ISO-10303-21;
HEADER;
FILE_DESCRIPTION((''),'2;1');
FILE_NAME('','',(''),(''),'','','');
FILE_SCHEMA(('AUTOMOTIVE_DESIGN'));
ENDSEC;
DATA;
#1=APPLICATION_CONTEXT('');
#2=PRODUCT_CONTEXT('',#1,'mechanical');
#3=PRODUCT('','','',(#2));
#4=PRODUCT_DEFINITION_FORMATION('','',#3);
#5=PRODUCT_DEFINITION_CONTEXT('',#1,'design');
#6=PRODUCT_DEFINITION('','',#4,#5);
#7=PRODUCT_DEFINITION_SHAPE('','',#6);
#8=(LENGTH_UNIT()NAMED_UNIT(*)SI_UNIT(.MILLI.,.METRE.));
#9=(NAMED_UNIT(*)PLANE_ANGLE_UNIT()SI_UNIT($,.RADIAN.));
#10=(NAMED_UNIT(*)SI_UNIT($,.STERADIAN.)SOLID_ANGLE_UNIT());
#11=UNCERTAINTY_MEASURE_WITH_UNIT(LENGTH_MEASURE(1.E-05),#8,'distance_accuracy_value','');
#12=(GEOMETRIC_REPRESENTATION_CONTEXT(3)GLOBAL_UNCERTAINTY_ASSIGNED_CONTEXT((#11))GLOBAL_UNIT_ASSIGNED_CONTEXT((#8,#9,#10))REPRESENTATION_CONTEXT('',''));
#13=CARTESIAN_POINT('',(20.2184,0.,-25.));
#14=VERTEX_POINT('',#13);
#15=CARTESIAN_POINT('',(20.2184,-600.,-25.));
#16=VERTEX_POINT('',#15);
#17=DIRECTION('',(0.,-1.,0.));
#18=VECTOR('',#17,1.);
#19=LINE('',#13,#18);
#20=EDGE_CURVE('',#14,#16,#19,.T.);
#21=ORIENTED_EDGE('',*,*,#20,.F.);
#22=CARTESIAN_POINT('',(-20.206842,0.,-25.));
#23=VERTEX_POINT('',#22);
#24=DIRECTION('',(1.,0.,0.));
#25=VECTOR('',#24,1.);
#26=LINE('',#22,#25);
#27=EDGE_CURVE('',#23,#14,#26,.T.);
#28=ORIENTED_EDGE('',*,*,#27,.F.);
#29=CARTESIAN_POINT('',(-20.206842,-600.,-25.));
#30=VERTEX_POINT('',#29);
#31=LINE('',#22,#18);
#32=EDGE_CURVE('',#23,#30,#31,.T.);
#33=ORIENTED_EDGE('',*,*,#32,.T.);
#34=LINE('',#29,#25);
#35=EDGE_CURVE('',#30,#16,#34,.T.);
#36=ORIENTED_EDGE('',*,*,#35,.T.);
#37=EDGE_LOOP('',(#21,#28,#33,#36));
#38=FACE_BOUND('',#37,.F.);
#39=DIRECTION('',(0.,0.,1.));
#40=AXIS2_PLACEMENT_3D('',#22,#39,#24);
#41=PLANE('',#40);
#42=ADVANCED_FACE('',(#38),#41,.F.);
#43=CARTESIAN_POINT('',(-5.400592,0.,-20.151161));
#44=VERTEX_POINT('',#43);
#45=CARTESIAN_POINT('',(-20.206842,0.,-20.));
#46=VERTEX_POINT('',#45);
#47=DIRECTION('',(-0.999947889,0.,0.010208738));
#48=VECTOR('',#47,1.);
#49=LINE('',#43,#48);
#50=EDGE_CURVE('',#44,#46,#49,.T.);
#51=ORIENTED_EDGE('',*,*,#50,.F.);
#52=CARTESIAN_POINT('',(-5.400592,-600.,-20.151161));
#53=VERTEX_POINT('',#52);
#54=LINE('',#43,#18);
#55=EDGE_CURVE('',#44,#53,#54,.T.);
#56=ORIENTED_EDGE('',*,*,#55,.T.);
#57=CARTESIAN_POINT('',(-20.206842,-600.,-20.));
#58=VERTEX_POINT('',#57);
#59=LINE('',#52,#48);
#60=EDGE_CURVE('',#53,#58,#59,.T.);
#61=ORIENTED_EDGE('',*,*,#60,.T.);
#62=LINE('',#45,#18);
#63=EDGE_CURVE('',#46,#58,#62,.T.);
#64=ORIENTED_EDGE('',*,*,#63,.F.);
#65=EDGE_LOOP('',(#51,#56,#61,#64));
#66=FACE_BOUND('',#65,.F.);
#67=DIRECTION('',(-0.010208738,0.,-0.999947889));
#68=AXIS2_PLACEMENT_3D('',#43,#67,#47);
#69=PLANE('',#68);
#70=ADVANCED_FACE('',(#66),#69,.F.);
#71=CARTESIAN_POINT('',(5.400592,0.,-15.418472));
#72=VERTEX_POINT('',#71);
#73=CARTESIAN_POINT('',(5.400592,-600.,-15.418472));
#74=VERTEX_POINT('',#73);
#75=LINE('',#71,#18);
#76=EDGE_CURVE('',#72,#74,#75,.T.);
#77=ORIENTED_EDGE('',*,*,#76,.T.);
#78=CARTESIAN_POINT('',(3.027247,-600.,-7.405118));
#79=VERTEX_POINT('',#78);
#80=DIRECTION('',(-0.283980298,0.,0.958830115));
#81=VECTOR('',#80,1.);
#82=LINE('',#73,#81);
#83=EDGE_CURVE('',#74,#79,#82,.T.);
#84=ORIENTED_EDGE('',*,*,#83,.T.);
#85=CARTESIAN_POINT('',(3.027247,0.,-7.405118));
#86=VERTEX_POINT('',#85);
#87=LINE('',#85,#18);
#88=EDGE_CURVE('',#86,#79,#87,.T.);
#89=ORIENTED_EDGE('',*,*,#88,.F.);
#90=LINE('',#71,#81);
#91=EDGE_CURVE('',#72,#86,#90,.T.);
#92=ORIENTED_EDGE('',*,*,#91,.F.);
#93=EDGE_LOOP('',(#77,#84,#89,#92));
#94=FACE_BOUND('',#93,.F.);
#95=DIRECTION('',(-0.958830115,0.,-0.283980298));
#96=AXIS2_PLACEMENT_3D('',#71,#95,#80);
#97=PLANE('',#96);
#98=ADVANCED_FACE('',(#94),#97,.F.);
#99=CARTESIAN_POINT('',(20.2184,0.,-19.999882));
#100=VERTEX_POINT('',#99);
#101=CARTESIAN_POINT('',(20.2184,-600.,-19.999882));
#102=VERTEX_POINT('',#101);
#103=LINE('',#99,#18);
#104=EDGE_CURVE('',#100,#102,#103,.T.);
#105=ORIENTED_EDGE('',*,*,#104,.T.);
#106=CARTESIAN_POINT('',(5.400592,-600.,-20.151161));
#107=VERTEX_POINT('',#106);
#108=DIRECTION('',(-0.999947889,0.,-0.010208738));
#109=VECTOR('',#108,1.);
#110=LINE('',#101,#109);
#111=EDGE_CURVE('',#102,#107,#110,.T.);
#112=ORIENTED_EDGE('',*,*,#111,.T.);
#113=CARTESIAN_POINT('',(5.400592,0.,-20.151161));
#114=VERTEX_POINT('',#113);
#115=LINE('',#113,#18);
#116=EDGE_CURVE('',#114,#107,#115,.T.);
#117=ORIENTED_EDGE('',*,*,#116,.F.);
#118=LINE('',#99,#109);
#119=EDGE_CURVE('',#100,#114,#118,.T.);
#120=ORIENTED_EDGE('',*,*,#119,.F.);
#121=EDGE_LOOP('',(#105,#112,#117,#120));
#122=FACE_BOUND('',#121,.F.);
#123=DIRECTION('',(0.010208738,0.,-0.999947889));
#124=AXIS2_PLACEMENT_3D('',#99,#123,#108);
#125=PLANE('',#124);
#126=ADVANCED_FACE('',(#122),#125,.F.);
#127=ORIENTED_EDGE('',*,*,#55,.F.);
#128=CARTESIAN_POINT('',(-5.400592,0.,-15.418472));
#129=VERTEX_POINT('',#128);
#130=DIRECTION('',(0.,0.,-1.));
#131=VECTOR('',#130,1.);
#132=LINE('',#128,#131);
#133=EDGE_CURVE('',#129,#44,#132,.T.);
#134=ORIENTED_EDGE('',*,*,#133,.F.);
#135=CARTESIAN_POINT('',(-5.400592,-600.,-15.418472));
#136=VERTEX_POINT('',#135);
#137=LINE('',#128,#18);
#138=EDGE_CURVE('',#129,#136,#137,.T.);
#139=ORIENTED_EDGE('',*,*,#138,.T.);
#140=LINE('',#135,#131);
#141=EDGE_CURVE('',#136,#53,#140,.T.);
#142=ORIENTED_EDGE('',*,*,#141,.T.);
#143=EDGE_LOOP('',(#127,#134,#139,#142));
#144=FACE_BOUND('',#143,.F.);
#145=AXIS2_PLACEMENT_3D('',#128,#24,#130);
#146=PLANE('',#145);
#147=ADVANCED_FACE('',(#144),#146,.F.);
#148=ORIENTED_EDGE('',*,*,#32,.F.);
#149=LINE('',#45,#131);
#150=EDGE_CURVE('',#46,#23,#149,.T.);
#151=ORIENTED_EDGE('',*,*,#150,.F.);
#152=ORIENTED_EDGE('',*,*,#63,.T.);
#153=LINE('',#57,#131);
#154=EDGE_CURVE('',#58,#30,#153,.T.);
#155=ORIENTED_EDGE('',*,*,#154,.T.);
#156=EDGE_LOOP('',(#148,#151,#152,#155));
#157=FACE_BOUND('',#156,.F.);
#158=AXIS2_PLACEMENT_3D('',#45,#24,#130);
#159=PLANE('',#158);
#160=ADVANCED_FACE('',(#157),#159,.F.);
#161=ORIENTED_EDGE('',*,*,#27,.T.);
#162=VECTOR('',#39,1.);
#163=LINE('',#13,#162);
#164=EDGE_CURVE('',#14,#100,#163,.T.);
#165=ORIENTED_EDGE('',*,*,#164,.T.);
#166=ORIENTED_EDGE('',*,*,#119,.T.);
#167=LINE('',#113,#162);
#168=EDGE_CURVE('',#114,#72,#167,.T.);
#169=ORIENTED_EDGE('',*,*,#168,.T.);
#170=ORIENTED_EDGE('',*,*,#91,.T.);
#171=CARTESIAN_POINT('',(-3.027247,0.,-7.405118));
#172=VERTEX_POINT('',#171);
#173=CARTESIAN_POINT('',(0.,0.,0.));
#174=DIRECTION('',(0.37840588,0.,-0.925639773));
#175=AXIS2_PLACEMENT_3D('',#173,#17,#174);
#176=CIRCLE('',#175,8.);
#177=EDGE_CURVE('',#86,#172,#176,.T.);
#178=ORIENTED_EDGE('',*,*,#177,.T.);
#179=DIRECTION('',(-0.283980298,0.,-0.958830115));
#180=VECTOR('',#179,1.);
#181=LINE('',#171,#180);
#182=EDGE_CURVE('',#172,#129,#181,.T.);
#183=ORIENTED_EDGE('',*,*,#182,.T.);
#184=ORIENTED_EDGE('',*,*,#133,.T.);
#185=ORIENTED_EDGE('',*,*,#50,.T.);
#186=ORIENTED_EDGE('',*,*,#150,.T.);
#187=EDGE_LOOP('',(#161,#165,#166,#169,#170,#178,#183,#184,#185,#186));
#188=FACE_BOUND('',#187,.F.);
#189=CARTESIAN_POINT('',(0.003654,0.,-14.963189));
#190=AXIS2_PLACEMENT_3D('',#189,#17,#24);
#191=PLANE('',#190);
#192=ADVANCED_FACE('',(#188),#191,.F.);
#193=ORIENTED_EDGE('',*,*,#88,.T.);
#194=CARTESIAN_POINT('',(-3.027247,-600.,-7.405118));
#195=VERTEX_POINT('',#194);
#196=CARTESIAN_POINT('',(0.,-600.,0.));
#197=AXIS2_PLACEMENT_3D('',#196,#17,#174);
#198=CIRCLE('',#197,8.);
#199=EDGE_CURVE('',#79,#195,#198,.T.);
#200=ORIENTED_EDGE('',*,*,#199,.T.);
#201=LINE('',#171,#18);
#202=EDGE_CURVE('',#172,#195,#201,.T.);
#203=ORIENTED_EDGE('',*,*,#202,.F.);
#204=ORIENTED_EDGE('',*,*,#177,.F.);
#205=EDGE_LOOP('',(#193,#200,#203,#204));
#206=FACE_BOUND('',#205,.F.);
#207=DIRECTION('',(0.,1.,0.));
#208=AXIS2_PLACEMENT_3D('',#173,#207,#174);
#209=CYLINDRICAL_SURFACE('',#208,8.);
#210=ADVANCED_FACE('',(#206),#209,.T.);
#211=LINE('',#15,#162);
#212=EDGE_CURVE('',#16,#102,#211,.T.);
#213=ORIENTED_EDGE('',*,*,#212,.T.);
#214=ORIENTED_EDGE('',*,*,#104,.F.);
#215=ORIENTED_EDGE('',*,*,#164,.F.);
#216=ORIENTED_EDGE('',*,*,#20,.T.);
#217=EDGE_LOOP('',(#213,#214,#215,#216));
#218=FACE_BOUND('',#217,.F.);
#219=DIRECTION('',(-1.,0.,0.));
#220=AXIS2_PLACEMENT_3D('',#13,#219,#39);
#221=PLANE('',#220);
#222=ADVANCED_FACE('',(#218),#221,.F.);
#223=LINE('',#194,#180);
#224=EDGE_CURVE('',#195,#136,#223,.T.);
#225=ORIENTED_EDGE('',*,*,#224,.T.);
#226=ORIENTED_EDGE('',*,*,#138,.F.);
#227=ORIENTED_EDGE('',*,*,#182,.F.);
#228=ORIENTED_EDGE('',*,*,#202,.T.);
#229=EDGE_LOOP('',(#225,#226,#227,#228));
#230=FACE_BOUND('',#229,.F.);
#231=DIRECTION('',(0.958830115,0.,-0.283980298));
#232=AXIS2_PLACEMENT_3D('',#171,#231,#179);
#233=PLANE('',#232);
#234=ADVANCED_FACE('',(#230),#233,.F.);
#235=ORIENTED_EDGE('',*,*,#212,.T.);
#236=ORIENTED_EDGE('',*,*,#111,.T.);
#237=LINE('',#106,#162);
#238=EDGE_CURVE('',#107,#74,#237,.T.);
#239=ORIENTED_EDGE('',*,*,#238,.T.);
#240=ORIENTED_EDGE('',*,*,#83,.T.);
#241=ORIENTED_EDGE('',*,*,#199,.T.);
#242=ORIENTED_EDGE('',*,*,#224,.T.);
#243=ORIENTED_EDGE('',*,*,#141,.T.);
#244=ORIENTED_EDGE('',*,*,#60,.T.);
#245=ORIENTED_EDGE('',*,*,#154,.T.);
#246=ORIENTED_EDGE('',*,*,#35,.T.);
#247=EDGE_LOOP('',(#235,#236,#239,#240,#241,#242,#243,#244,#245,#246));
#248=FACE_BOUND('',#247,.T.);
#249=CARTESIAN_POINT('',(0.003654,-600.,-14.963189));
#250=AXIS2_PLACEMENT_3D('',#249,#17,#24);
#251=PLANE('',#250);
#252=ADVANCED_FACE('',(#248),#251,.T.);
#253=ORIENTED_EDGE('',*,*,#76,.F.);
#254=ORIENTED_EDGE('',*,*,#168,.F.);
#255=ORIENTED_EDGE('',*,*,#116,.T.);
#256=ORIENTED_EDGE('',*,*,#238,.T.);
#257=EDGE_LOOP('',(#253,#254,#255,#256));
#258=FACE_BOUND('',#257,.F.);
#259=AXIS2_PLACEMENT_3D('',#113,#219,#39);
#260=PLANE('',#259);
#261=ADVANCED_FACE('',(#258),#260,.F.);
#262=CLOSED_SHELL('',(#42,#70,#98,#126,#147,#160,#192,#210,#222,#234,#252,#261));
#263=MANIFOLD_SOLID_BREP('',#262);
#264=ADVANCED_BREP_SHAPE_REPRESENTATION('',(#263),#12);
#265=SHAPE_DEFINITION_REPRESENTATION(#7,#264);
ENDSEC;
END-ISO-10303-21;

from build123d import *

# Parameters (mm, degrees)
F1_DEPTH = 600


with BuildPart() as f1:
    # F0 (on Front) → F1 (new body)
    with BuildSketch(Plane.XZ):
        with BuildLine():
            Line((5.400592, -15.418472), (3.027247, -7.405118))
            ThreePointArc((3.027247, -7.405118), (0, 8), (-3.027247, -7.405118))
            Line((-3.027247, -7.405118), (-5.400592, -15.418472))
            Line((-5.400592, -15.418472), (-5.400592, -20.151161))
            Line((-5.400592, -20.151161), (-20.206842, -20))
            Line((-20.206842, -20), (-20.206842, -25))
            Line((-20.206842, -25), (0, -25))
            Line((0, -25), (20.2184, -25))
            Line((20.2184, -25), (20.2184, -19.999882))
            Line((20.2184, -19.999882), (5.400592, -20.151161))
            Line((5.400592, -20.151161), (5.400592, -15.418472))
        make_face()
    extrude(amount=F1_DEPTH)


solid = f1.part
